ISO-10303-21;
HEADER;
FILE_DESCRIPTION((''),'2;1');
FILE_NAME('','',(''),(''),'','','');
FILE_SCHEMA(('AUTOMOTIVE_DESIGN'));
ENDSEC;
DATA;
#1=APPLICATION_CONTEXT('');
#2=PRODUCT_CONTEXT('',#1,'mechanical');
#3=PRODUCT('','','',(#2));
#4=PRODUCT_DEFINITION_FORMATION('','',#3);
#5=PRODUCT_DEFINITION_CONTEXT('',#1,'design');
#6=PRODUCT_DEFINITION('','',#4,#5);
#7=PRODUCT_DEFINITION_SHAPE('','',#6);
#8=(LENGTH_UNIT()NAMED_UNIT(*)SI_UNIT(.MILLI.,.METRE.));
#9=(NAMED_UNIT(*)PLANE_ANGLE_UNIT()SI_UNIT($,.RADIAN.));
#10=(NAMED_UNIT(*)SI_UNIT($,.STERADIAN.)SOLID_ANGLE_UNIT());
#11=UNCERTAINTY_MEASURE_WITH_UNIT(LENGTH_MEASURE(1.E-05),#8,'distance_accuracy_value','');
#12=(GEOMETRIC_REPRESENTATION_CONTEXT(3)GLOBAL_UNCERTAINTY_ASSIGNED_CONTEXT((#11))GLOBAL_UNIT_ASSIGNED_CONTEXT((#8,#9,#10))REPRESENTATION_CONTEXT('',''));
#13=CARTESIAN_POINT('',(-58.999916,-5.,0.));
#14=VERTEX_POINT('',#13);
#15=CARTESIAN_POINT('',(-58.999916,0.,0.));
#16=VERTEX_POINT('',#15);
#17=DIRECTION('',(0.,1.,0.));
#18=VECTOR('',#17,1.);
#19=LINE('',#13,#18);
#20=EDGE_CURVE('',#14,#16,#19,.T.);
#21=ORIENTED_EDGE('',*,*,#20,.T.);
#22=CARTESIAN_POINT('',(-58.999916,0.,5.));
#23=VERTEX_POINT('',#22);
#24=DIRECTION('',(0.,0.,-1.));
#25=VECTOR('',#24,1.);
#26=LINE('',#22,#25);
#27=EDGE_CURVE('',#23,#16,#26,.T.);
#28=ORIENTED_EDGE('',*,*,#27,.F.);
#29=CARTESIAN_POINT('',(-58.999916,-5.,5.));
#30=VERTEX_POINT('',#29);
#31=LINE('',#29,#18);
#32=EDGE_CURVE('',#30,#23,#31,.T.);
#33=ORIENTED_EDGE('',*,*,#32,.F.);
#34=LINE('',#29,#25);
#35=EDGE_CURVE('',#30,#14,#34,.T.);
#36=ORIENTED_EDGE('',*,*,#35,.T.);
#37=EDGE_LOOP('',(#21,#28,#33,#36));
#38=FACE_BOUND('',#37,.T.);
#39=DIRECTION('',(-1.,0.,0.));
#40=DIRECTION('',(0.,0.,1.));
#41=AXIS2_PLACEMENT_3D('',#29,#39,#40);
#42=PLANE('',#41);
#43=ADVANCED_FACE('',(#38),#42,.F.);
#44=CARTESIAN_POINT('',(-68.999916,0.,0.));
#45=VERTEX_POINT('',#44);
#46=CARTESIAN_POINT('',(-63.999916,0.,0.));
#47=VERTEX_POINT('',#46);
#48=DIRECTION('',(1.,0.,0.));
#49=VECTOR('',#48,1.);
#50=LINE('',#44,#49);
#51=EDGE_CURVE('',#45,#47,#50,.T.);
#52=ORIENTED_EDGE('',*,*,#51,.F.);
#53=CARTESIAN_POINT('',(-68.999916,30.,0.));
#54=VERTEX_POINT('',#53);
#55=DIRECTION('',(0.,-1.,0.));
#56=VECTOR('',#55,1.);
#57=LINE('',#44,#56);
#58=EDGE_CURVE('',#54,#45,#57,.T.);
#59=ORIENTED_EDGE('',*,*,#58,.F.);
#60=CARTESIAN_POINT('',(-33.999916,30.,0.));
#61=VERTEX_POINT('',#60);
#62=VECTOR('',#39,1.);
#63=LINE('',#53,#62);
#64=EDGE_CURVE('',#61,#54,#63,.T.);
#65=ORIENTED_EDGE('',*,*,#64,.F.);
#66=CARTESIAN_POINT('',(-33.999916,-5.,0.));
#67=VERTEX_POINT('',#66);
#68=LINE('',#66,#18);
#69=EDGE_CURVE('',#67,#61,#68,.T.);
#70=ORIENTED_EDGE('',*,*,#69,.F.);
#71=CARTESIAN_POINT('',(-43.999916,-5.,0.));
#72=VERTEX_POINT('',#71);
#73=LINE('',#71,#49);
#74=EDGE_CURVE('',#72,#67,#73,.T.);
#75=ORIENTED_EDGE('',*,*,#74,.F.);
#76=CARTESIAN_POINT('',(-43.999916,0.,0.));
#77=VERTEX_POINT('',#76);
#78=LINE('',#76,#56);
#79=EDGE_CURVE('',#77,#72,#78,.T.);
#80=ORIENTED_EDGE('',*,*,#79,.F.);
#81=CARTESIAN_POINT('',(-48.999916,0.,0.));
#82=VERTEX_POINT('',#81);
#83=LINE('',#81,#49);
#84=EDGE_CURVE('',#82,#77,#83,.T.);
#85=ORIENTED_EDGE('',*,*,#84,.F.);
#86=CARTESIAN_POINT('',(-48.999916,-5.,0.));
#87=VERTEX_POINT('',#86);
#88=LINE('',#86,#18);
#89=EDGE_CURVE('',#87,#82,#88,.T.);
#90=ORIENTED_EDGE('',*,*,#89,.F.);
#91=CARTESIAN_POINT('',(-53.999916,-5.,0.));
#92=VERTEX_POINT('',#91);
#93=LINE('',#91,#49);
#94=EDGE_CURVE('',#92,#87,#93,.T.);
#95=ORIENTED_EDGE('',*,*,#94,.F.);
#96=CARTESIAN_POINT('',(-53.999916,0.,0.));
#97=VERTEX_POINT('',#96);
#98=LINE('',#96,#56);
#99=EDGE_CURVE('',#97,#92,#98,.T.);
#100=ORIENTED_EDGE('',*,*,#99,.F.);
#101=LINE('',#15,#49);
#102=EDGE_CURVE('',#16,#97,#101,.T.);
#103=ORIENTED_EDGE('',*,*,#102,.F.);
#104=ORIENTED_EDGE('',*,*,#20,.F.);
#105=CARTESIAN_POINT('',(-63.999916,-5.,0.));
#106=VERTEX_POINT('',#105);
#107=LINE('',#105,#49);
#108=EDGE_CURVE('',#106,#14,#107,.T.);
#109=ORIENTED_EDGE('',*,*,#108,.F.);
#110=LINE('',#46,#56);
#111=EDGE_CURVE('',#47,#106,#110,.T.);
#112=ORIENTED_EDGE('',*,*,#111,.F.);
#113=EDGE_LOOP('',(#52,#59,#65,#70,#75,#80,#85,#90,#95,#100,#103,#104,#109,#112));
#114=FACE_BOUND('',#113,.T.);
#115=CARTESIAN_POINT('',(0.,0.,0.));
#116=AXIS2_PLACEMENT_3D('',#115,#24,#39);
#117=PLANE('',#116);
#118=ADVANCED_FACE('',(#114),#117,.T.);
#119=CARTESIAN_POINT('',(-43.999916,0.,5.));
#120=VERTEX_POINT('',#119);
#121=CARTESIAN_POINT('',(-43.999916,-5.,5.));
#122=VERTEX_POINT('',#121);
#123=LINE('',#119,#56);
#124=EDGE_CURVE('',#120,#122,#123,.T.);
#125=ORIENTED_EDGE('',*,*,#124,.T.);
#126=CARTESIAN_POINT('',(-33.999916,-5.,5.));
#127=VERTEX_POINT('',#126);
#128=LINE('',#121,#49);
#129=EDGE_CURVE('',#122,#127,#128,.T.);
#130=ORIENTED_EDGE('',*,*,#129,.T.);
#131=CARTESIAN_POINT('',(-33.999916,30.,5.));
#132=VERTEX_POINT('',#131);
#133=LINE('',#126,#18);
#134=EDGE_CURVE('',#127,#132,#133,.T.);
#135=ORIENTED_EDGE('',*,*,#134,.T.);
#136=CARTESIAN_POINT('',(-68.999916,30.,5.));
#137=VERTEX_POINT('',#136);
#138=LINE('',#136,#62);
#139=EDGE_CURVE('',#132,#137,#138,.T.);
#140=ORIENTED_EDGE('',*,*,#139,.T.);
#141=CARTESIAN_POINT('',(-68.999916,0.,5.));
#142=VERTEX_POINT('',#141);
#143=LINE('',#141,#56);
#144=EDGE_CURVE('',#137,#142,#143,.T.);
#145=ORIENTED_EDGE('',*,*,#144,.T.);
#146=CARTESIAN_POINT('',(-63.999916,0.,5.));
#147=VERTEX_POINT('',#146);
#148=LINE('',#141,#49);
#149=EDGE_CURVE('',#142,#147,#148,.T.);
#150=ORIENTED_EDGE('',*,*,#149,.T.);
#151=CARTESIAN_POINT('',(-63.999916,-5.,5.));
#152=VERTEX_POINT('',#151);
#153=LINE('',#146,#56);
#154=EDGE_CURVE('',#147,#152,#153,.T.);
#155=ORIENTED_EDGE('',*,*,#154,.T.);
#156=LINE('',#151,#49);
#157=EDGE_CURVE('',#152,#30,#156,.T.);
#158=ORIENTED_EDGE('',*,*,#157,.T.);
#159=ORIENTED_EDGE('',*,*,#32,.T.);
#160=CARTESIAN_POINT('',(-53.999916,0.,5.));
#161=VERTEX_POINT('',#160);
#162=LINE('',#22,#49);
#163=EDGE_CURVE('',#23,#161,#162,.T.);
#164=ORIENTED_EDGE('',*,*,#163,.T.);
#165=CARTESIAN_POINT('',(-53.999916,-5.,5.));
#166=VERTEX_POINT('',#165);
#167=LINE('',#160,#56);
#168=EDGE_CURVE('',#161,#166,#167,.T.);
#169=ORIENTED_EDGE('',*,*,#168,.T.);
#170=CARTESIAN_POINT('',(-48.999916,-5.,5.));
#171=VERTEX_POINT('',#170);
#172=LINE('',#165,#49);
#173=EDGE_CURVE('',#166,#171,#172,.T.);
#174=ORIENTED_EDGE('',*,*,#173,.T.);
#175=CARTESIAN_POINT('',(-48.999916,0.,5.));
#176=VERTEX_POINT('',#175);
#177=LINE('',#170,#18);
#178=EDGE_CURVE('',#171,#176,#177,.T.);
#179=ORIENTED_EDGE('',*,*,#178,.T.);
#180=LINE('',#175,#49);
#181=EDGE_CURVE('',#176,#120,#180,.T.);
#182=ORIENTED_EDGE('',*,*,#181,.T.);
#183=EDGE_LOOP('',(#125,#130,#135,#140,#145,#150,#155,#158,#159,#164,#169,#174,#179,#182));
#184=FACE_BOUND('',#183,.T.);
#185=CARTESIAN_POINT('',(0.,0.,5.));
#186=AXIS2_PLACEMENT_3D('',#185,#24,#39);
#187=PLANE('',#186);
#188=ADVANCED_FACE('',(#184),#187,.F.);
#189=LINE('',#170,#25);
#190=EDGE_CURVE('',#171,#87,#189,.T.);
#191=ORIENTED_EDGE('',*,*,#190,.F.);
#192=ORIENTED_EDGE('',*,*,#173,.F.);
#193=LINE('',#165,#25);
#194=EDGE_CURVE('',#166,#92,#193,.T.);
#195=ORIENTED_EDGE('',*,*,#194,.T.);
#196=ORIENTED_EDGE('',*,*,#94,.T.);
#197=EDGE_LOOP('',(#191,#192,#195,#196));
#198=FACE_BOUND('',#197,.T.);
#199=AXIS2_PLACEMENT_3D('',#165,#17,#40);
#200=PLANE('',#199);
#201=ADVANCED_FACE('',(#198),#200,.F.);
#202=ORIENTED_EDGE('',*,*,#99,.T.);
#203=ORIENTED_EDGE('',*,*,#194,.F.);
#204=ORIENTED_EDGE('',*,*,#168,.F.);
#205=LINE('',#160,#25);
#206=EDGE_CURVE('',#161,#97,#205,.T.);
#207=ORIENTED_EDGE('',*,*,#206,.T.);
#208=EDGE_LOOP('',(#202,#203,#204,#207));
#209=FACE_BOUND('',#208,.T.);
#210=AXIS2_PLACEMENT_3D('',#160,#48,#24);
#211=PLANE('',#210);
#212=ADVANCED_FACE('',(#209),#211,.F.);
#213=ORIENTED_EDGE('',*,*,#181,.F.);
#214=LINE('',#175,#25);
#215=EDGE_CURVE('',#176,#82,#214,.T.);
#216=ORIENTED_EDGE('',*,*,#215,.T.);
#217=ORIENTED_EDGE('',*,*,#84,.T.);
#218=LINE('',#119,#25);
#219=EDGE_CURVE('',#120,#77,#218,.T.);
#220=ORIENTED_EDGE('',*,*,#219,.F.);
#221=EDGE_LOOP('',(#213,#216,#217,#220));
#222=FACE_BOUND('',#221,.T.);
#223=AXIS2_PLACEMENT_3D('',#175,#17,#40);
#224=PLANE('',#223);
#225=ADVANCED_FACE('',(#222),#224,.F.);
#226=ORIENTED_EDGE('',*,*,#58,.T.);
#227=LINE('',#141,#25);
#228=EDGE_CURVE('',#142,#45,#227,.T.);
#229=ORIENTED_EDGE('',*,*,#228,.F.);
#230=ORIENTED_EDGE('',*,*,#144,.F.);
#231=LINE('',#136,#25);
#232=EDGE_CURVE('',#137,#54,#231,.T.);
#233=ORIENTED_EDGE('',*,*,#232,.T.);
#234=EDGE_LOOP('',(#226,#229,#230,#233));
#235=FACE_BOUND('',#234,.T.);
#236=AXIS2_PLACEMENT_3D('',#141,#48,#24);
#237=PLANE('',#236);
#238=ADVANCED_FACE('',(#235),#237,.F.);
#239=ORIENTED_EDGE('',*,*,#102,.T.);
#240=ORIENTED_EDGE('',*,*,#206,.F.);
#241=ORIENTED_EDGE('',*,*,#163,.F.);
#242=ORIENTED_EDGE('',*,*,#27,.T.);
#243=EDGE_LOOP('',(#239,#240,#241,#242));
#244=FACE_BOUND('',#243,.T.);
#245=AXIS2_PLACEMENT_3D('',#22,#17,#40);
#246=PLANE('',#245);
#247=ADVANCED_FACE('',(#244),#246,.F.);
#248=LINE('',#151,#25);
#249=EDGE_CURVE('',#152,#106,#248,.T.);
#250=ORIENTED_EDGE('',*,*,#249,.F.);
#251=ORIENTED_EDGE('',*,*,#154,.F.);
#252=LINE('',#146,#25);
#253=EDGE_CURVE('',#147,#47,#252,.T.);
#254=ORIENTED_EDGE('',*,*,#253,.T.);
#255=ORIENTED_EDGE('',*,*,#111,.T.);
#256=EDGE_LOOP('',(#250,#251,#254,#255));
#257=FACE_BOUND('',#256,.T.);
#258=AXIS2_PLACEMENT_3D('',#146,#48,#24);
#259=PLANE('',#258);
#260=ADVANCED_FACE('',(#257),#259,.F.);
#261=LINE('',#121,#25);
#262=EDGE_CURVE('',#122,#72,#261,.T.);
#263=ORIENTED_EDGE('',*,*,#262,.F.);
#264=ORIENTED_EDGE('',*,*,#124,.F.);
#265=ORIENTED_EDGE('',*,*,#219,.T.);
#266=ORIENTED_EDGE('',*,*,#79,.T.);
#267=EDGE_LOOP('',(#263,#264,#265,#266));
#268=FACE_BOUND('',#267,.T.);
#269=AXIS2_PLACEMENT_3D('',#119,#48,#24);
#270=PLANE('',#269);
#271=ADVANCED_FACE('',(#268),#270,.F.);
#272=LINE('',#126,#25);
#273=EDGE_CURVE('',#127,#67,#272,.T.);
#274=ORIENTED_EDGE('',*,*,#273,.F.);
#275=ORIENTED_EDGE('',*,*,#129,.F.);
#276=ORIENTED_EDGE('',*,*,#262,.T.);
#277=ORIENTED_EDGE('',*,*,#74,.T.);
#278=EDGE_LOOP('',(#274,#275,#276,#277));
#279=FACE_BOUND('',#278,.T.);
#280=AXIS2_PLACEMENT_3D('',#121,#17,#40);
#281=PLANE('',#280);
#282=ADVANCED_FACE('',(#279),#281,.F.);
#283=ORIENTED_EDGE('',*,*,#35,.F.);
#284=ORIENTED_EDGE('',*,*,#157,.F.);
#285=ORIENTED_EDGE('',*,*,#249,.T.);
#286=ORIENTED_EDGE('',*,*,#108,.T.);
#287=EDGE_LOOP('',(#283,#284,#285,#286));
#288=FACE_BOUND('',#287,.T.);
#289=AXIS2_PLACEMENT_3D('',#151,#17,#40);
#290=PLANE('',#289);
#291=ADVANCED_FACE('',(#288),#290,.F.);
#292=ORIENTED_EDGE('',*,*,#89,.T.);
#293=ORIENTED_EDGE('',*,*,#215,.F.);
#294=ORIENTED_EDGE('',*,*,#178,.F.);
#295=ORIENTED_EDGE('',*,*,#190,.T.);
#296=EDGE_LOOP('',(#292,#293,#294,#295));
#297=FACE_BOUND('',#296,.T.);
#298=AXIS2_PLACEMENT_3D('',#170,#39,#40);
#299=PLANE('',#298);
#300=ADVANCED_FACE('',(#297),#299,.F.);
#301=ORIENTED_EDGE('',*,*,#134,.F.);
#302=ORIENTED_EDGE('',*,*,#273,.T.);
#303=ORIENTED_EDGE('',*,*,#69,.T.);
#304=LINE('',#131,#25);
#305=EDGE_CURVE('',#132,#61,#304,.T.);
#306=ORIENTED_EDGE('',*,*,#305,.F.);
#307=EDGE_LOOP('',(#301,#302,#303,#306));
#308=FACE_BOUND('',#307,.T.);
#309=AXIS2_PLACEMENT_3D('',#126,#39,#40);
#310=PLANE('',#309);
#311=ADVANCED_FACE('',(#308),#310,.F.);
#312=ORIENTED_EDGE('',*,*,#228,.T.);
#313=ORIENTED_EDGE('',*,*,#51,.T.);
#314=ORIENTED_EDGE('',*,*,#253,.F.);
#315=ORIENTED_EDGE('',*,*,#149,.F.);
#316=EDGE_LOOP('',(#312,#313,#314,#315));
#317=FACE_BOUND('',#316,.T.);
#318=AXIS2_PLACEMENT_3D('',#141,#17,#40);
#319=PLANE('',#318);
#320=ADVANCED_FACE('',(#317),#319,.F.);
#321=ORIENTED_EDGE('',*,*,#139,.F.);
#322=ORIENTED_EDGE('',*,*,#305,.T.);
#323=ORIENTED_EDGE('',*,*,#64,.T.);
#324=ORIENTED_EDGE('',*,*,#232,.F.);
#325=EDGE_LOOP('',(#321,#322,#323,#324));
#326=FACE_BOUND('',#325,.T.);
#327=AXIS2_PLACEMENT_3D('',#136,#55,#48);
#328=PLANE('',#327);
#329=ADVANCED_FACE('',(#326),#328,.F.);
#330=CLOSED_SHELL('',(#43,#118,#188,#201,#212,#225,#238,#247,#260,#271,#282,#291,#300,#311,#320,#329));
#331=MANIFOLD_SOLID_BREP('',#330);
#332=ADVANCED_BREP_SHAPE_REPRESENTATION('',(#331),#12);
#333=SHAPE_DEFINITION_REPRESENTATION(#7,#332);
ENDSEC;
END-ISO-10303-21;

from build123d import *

# Parameters (mm, degrees)
BOSS_EXTRU_1_DEPTH = 5


with BuildPart() as part:
    # Esquisse1 → Boss.-Extru.1 (new body)
    with BuildSketch(Plane.XY):
        Polygon((-68.999916061, 0), (-63.999916061, 0), (-63.999916061, -5), (-58.999916061, -5), (-58.999916061, 0), (-53.999916061, 0), (-53.999916061, -5), (-48.999916061, -5), (-48.999916061, 0), (-43.999916061, 0), (-43.999916061, -5), (-33.999916061, -5), (-33.999916061, 30), (-68.999916061, 30), align=None)
    extrude(amount=BOSS_EXTRU_1_DEPTH)


solid = part.part
